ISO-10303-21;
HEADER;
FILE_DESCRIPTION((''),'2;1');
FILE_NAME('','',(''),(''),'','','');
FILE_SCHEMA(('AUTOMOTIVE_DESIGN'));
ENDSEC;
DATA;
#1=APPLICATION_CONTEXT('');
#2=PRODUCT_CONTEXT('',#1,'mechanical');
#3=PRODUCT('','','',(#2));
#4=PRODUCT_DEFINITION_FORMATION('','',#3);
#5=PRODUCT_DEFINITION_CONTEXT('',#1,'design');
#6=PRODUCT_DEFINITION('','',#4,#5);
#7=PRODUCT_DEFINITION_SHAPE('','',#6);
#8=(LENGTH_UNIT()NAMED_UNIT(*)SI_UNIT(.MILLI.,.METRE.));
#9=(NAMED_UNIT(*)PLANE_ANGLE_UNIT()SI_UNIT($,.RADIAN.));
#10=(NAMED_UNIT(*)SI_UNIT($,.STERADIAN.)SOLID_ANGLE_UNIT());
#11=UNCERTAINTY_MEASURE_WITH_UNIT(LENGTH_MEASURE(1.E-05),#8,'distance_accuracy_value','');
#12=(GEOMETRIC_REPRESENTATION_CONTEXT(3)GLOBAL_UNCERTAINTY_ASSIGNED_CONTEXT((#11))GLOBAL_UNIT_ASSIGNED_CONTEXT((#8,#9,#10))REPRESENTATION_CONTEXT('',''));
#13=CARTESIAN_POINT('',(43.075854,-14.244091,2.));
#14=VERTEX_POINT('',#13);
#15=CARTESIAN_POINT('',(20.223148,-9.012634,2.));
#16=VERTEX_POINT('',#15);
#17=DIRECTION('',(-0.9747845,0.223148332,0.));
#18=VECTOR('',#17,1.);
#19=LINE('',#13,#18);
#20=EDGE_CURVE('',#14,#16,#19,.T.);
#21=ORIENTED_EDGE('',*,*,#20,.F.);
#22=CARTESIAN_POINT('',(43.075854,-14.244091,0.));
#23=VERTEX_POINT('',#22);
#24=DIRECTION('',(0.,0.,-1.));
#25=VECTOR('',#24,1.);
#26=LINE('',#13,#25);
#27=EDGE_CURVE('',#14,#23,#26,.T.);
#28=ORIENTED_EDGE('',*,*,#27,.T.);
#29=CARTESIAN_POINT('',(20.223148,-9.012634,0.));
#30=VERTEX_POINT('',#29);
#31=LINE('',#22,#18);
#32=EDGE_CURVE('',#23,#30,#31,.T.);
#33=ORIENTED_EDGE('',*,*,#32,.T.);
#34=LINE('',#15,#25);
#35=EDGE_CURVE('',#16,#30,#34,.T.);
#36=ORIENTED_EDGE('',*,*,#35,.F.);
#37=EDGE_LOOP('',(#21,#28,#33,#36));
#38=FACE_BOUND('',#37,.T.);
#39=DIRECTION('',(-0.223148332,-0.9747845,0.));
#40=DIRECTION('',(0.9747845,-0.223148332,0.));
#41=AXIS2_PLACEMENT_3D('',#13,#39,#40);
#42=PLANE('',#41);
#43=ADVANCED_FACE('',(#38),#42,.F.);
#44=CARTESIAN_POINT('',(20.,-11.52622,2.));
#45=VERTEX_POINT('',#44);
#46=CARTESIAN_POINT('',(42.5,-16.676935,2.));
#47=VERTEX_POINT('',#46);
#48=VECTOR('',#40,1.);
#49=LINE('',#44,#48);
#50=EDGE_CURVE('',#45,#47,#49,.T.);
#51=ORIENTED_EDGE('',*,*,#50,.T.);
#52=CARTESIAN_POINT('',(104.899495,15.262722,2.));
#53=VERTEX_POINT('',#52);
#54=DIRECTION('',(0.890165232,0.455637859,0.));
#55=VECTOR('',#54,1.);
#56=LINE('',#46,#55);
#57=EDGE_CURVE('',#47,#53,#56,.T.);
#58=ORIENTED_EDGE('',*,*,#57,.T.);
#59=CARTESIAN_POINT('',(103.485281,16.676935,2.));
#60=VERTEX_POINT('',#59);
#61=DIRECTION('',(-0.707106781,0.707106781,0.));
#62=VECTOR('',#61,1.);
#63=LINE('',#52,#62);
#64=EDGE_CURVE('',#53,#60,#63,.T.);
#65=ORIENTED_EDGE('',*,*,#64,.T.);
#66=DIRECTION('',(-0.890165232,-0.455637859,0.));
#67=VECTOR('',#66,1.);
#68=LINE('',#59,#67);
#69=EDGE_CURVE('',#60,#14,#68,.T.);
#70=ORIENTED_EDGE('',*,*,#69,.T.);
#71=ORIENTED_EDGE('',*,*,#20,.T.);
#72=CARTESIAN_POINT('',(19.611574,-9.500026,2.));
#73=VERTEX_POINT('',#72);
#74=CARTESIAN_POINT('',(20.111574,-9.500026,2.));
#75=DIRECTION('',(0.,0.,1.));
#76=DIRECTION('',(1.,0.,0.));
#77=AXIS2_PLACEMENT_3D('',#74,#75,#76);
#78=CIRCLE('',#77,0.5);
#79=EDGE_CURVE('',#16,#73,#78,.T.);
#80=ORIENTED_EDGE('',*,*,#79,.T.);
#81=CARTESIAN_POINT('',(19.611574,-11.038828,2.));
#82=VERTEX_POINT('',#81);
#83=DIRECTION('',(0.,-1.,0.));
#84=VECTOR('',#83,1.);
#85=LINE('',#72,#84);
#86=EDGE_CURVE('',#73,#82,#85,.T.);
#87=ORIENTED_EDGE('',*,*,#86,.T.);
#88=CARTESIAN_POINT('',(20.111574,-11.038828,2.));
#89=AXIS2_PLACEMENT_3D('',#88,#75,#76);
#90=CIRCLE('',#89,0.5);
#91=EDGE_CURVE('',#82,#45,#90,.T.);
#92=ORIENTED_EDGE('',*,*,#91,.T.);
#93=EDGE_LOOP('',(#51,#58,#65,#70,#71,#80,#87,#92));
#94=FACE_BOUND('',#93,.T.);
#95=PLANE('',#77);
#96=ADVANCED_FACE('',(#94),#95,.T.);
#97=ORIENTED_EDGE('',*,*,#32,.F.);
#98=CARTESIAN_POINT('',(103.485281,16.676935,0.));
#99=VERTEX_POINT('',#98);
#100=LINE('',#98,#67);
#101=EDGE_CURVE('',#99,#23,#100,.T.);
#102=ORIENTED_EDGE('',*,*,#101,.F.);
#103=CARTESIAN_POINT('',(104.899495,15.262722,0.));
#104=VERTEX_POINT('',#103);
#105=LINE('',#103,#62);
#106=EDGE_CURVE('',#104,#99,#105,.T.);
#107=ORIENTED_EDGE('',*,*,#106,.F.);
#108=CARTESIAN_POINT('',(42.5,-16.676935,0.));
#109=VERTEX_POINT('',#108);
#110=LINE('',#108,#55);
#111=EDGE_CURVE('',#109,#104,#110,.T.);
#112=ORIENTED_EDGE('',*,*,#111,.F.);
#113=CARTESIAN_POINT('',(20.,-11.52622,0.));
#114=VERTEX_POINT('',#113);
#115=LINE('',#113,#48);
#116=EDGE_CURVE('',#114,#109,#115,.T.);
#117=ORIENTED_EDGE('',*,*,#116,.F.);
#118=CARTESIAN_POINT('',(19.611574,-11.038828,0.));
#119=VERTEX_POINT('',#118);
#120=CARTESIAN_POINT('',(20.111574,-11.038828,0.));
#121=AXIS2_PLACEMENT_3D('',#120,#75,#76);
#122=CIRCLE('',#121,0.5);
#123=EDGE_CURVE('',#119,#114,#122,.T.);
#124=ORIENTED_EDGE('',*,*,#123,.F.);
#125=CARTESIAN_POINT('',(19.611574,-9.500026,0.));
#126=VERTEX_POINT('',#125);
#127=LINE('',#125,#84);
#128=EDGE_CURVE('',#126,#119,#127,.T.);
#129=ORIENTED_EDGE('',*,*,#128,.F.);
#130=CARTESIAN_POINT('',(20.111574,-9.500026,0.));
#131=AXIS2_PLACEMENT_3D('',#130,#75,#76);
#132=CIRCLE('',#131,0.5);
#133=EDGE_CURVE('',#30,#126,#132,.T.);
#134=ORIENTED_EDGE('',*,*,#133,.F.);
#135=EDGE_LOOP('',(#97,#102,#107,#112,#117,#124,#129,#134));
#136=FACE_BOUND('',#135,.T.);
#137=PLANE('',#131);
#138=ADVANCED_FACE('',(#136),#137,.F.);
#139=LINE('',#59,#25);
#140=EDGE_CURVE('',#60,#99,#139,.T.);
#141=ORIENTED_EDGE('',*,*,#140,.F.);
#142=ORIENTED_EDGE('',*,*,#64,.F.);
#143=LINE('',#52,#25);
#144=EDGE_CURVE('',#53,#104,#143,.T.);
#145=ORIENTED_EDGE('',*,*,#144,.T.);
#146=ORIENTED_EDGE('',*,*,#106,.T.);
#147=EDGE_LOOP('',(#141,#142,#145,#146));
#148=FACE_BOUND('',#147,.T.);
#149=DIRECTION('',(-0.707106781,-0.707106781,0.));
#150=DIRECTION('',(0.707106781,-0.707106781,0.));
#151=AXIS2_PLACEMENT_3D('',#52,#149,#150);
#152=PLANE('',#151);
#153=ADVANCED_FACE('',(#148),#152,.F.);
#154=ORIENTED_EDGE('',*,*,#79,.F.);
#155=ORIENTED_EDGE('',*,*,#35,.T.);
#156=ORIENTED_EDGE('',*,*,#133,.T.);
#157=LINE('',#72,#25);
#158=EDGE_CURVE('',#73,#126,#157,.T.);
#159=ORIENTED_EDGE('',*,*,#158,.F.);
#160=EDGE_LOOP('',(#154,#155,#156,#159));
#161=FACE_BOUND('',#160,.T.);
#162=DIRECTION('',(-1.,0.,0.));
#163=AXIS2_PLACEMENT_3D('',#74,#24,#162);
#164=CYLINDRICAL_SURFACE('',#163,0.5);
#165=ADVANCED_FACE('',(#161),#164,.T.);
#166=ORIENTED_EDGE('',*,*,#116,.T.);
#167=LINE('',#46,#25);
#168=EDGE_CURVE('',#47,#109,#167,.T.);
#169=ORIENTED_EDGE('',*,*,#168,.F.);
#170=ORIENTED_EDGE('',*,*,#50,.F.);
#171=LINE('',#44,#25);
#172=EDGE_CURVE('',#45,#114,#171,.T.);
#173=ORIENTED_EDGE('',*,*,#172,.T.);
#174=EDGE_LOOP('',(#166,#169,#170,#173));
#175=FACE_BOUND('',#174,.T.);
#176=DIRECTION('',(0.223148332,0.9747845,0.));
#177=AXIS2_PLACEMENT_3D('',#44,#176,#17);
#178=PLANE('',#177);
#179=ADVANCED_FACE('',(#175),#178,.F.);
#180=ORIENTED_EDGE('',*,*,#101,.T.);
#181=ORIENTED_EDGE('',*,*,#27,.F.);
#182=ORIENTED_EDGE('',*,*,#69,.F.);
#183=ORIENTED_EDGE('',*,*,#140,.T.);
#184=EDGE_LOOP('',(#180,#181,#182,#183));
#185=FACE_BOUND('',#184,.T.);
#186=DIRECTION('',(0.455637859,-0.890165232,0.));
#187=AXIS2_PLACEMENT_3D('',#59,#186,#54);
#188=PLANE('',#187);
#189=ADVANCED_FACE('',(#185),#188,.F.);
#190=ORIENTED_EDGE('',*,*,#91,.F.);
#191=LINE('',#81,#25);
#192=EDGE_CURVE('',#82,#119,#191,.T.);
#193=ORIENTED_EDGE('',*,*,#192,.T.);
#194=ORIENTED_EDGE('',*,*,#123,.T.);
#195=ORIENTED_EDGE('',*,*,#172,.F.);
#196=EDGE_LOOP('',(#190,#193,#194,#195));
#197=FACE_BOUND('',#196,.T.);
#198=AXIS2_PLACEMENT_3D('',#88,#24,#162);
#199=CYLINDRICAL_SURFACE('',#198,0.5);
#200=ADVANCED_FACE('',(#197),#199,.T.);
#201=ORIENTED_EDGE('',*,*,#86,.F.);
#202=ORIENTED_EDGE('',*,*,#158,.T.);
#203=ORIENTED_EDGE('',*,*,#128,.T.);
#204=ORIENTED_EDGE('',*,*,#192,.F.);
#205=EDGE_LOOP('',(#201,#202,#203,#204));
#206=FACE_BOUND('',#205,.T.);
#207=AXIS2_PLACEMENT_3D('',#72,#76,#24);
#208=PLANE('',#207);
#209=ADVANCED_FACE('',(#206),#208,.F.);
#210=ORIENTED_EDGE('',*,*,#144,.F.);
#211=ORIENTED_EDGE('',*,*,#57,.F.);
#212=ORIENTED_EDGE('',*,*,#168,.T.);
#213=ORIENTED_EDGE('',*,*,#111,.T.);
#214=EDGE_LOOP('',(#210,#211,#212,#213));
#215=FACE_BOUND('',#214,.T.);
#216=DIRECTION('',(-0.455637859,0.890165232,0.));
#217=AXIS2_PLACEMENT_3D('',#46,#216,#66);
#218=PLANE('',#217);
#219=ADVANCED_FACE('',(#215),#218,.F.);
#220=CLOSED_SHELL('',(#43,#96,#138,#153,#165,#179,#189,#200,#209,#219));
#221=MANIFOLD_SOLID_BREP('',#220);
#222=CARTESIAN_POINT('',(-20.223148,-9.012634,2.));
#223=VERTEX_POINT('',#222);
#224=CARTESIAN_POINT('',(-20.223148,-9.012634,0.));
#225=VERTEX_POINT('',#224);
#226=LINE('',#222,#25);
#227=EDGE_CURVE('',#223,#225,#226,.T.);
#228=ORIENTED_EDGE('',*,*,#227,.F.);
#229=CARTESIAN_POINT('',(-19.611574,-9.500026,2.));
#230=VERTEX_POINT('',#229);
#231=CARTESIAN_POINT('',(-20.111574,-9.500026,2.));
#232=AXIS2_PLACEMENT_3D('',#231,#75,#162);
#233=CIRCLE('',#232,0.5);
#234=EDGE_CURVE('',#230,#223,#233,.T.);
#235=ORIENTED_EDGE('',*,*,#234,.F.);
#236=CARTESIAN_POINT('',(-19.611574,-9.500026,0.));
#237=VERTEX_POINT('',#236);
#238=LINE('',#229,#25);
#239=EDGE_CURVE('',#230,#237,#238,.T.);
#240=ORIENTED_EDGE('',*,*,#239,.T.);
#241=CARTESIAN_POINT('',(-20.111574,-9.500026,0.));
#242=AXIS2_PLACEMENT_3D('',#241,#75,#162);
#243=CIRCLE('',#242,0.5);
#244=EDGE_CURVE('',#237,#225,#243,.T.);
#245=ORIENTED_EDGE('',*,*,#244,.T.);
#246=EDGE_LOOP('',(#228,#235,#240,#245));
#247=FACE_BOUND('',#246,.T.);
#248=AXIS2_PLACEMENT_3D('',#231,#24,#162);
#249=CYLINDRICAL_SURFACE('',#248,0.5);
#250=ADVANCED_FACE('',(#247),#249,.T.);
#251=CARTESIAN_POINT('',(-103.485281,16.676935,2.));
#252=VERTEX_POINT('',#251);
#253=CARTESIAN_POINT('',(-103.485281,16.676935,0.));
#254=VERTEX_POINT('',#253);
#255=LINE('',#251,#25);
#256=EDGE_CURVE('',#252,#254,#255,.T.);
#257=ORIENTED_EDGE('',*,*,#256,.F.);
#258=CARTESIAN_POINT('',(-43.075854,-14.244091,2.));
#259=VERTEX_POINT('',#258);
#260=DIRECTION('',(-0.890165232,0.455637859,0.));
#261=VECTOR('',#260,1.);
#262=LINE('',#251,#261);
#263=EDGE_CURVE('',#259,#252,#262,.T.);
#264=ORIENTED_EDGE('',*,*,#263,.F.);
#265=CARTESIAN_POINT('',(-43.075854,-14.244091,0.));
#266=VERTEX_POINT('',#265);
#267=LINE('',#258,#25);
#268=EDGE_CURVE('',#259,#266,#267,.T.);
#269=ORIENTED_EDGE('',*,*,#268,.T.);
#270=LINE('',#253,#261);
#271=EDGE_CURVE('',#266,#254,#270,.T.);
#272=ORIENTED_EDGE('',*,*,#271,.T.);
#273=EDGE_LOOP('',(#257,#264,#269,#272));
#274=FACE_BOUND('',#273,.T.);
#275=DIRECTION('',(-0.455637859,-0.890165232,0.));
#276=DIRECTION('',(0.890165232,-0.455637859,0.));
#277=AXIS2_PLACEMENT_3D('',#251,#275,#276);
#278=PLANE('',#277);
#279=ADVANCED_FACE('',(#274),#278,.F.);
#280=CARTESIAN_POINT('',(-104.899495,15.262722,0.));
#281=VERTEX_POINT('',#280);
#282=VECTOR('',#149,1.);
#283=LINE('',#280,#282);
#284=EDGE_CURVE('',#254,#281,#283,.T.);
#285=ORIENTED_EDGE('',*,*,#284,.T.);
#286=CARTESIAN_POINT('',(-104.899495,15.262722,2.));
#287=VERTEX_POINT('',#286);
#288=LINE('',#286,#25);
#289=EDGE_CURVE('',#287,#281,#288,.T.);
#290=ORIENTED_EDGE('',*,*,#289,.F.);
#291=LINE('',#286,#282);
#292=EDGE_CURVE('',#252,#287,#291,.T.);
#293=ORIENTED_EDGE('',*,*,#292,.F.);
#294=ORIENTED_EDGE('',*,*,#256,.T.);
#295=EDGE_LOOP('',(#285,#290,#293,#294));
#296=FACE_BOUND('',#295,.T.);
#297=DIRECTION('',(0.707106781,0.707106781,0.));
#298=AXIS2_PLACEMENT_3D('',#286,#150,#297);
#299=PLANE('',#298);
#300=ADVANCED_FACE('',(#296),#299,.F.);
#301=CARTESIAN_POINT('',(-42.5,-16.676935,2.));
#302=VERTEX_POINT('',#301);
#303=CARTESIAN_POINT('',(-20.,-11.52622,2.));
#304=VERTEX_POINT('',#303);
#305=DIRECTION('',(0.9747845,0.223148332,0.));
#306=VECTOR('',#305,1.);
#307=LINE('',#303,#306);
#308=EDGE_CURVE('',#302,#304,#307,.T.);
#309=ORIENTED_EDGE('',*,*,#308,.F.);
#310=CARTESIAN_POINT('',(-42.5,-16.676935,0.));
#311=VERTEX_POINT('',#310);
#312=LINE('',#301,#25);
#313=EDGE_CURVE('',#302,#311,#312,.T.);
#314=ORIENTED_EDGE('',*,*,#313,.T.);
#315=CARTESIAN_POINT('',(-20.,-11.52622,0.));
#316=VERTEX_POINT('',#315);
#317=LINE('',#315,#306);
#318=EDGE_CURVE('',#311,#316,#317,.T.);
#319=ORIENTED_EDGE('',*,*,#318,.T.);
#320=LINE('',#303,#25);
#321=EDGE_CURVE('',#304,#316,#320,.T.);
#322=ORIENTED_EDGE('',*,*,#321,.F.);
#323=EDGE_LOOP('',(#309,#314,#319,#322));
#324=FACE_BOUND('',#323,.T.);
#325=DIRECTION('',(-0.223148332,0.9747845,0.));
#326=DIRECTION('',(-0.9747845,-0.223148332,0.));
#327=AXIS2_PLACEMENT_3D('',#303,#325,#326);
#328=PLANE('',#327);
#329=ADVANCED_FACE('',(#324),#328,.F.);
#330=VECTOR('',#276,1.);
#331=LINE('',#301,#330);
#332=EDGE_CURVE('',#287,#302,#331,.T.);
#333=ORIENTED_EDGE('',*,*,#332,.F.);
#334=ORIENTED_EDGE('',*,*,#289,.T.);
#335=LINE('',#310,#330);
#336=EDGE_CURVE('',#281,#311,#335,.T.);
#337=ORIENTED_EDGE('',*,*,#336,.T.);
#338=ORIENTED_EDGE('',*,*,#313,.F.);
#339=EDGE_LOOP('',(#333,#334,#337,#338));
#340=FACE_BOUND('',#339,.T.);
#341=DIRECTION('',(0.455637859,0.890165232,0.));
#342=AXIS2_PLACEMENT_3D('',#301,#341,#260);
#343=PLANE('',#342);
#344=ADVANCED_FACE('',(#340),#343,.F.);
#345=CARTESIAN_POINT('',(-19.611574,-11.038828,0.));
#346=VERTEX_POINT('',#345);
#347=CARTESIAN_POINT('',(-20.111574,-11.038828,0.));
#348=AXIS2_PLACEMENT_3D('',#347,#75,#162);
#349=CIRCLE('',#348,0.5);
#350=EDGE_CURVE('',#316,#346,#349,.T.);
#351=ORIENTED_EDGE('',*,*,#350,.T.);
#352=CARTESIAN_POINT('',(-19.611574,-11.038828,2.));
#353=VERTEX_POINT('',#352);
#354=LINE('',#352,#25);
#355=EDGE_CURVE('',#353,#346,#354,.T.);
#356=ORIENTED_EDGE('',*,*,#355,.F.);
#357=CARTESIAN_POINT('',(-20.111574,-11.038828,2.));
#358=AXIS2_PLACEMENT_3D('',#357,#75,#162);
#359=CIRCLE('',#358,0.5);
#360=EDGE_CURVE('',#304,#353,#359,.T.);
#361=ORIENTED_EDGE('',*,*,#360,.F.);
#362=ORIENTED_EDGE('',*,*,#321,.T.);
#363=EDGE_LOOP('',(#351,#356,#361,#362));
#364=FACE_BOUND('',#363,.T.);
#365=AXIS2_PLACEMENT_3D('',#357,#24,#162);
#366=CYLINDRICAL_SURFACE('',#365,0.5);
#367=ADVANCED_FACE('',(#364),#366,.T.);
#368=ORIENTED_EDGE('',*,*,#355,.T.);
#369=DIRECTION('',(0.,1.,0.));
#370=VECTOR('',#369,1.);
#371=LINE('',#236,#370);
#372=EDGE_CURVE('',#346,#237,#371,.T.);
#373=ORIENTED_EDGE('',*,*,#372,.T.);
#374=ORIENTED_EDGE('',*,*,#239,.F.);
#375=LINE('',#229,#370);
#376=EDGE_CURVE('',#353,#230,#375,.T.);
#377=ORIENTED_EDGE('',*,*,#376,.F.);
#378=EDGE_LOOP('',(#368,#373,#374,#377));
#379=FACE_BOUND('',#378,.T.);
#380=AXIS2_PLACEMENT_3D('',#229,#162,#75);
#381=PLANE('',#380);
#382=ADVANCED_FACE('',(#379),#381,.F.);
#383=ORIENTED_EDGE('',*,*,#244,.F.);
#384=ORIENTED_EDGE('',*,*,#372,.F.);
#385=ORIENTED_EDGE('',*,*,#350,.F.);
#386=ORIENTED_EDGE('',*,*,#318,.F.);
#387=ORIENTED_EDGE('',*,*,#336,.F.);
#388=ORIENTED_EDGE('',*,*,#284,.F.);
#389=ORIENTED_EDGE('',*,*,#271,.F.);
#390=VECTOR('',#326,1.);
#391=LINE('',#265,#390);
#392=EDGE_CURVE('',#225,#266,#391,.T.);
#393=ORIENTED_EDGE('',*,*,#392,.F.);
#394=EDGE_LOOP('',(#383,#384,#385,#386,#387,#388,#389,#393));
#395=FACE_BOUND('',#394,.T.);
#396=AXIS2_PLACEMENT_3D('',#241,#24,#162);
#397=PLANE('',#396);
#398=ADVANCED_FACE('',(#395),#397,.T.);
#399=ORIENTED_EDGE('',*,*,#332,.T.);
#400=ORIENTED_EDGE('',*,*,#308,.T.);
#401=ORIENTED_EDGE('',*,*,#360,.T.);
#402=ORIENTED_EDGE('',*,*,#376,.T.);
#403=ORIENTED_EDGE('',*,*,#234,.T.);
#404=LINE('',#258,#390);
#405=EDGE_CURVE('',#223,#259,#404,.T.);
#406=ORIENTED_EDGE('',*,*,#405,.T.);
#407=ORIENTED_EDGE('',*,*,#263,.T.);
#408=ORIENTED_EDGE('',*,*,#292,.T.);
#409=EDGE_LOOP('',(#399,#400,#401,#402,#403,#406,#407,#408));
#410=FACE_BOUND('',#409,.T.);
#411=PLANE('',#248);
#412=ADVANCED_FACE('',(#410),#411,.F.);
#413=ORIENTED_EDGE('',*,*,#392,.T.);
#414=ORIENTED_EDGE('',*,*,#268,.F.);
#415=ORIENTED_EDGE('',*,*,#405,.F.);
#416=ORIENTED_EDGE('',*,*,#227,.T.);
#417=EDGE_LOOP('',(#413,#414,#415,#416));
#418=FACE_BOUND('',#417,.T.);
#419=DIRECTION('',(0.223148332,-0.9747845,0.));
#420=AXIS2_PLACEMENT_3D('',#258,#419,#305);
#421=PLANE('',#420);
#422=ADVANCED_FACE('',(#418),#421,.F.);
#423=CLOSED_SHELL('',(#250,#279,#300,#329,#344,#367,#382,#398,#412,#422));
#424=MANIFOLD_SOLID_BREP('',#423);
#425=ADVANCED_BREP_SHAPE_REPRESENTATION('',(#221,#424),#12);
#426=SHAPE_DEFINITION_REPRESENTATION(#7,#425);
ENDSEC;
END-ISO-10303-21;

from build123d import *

# Parameters (mm, degrees)
EXTRUDE_1_DEPTH   = 2
EXTRUDE_1_2_DEPTH = 2


with BuildPart() as part:
    # 스케치1 → 보스-돌출1 (new body)
    with BuildSketch(Plane.XY):
        with BuildLine():
            Line((-103.485281374, 16.676935339), (-43.075853619, -14.244090721))
            Line((-43.075853619, -14.244090721), (-20.223148332, -9.012633862))
            ThreePointArc((-20.223148332, -9.012633862), (-19.799955074, -9.109010075), (-19.611574166, -9.500026112))
            Line((-19.611574166, -9.500026112), (-19.611574166, -11.038827765))
            ThreePointArc((-19.611574166, -11.038827765), (-19.720558129, -11.350446857), (-20, -11.526220015))
            Line((-20, -11.526220015), (-42.5, -16.676935339))
            Line((-42.5, -16.676935339), (-104.899494937, 15.262721777))
            Line((-104.899494937, 15.262721777), (-103.485281374, 16.676935339))
        make_face()
    extrude(amount=EXTRUDE_1_DEPTH)


with BuildPart() as body_2:
    # 스케치1 → Extrude 1 2 (new body)
    with BuildSketch(Plane.XY):
        with BuildLine():
            Line((104.899494937, 15.262721777), (103.485281374, 16.676935339))
            Line((103.485281374, 16.676935339), (43.075853619, -14.244090721))
            Line((43.075853619, -14.244090721), (20.223148332, -9.012633862))
            ThreePointArc((20.223148332, -9.012633862), (19.799955074, -9.109010075), (19.611574166, -9.500026112))
            Line((19.611574166, -9.500026112), (19.611574166, -11.038827765))
            ThreePointArc((19.611574166, -11.038827765), (19.720558129, -11.350446857), (20, -11.526220015))
            Line((20, -11.526220015), (42.5, -16.676935339))
            Line((42.5, -16.676935339), (104.899494937, 15.262721777))
        make_face()
    extrude(amount=EXTRUDE_1_2_DEPTH)


solid = Compound([part.part, body_2.part])
